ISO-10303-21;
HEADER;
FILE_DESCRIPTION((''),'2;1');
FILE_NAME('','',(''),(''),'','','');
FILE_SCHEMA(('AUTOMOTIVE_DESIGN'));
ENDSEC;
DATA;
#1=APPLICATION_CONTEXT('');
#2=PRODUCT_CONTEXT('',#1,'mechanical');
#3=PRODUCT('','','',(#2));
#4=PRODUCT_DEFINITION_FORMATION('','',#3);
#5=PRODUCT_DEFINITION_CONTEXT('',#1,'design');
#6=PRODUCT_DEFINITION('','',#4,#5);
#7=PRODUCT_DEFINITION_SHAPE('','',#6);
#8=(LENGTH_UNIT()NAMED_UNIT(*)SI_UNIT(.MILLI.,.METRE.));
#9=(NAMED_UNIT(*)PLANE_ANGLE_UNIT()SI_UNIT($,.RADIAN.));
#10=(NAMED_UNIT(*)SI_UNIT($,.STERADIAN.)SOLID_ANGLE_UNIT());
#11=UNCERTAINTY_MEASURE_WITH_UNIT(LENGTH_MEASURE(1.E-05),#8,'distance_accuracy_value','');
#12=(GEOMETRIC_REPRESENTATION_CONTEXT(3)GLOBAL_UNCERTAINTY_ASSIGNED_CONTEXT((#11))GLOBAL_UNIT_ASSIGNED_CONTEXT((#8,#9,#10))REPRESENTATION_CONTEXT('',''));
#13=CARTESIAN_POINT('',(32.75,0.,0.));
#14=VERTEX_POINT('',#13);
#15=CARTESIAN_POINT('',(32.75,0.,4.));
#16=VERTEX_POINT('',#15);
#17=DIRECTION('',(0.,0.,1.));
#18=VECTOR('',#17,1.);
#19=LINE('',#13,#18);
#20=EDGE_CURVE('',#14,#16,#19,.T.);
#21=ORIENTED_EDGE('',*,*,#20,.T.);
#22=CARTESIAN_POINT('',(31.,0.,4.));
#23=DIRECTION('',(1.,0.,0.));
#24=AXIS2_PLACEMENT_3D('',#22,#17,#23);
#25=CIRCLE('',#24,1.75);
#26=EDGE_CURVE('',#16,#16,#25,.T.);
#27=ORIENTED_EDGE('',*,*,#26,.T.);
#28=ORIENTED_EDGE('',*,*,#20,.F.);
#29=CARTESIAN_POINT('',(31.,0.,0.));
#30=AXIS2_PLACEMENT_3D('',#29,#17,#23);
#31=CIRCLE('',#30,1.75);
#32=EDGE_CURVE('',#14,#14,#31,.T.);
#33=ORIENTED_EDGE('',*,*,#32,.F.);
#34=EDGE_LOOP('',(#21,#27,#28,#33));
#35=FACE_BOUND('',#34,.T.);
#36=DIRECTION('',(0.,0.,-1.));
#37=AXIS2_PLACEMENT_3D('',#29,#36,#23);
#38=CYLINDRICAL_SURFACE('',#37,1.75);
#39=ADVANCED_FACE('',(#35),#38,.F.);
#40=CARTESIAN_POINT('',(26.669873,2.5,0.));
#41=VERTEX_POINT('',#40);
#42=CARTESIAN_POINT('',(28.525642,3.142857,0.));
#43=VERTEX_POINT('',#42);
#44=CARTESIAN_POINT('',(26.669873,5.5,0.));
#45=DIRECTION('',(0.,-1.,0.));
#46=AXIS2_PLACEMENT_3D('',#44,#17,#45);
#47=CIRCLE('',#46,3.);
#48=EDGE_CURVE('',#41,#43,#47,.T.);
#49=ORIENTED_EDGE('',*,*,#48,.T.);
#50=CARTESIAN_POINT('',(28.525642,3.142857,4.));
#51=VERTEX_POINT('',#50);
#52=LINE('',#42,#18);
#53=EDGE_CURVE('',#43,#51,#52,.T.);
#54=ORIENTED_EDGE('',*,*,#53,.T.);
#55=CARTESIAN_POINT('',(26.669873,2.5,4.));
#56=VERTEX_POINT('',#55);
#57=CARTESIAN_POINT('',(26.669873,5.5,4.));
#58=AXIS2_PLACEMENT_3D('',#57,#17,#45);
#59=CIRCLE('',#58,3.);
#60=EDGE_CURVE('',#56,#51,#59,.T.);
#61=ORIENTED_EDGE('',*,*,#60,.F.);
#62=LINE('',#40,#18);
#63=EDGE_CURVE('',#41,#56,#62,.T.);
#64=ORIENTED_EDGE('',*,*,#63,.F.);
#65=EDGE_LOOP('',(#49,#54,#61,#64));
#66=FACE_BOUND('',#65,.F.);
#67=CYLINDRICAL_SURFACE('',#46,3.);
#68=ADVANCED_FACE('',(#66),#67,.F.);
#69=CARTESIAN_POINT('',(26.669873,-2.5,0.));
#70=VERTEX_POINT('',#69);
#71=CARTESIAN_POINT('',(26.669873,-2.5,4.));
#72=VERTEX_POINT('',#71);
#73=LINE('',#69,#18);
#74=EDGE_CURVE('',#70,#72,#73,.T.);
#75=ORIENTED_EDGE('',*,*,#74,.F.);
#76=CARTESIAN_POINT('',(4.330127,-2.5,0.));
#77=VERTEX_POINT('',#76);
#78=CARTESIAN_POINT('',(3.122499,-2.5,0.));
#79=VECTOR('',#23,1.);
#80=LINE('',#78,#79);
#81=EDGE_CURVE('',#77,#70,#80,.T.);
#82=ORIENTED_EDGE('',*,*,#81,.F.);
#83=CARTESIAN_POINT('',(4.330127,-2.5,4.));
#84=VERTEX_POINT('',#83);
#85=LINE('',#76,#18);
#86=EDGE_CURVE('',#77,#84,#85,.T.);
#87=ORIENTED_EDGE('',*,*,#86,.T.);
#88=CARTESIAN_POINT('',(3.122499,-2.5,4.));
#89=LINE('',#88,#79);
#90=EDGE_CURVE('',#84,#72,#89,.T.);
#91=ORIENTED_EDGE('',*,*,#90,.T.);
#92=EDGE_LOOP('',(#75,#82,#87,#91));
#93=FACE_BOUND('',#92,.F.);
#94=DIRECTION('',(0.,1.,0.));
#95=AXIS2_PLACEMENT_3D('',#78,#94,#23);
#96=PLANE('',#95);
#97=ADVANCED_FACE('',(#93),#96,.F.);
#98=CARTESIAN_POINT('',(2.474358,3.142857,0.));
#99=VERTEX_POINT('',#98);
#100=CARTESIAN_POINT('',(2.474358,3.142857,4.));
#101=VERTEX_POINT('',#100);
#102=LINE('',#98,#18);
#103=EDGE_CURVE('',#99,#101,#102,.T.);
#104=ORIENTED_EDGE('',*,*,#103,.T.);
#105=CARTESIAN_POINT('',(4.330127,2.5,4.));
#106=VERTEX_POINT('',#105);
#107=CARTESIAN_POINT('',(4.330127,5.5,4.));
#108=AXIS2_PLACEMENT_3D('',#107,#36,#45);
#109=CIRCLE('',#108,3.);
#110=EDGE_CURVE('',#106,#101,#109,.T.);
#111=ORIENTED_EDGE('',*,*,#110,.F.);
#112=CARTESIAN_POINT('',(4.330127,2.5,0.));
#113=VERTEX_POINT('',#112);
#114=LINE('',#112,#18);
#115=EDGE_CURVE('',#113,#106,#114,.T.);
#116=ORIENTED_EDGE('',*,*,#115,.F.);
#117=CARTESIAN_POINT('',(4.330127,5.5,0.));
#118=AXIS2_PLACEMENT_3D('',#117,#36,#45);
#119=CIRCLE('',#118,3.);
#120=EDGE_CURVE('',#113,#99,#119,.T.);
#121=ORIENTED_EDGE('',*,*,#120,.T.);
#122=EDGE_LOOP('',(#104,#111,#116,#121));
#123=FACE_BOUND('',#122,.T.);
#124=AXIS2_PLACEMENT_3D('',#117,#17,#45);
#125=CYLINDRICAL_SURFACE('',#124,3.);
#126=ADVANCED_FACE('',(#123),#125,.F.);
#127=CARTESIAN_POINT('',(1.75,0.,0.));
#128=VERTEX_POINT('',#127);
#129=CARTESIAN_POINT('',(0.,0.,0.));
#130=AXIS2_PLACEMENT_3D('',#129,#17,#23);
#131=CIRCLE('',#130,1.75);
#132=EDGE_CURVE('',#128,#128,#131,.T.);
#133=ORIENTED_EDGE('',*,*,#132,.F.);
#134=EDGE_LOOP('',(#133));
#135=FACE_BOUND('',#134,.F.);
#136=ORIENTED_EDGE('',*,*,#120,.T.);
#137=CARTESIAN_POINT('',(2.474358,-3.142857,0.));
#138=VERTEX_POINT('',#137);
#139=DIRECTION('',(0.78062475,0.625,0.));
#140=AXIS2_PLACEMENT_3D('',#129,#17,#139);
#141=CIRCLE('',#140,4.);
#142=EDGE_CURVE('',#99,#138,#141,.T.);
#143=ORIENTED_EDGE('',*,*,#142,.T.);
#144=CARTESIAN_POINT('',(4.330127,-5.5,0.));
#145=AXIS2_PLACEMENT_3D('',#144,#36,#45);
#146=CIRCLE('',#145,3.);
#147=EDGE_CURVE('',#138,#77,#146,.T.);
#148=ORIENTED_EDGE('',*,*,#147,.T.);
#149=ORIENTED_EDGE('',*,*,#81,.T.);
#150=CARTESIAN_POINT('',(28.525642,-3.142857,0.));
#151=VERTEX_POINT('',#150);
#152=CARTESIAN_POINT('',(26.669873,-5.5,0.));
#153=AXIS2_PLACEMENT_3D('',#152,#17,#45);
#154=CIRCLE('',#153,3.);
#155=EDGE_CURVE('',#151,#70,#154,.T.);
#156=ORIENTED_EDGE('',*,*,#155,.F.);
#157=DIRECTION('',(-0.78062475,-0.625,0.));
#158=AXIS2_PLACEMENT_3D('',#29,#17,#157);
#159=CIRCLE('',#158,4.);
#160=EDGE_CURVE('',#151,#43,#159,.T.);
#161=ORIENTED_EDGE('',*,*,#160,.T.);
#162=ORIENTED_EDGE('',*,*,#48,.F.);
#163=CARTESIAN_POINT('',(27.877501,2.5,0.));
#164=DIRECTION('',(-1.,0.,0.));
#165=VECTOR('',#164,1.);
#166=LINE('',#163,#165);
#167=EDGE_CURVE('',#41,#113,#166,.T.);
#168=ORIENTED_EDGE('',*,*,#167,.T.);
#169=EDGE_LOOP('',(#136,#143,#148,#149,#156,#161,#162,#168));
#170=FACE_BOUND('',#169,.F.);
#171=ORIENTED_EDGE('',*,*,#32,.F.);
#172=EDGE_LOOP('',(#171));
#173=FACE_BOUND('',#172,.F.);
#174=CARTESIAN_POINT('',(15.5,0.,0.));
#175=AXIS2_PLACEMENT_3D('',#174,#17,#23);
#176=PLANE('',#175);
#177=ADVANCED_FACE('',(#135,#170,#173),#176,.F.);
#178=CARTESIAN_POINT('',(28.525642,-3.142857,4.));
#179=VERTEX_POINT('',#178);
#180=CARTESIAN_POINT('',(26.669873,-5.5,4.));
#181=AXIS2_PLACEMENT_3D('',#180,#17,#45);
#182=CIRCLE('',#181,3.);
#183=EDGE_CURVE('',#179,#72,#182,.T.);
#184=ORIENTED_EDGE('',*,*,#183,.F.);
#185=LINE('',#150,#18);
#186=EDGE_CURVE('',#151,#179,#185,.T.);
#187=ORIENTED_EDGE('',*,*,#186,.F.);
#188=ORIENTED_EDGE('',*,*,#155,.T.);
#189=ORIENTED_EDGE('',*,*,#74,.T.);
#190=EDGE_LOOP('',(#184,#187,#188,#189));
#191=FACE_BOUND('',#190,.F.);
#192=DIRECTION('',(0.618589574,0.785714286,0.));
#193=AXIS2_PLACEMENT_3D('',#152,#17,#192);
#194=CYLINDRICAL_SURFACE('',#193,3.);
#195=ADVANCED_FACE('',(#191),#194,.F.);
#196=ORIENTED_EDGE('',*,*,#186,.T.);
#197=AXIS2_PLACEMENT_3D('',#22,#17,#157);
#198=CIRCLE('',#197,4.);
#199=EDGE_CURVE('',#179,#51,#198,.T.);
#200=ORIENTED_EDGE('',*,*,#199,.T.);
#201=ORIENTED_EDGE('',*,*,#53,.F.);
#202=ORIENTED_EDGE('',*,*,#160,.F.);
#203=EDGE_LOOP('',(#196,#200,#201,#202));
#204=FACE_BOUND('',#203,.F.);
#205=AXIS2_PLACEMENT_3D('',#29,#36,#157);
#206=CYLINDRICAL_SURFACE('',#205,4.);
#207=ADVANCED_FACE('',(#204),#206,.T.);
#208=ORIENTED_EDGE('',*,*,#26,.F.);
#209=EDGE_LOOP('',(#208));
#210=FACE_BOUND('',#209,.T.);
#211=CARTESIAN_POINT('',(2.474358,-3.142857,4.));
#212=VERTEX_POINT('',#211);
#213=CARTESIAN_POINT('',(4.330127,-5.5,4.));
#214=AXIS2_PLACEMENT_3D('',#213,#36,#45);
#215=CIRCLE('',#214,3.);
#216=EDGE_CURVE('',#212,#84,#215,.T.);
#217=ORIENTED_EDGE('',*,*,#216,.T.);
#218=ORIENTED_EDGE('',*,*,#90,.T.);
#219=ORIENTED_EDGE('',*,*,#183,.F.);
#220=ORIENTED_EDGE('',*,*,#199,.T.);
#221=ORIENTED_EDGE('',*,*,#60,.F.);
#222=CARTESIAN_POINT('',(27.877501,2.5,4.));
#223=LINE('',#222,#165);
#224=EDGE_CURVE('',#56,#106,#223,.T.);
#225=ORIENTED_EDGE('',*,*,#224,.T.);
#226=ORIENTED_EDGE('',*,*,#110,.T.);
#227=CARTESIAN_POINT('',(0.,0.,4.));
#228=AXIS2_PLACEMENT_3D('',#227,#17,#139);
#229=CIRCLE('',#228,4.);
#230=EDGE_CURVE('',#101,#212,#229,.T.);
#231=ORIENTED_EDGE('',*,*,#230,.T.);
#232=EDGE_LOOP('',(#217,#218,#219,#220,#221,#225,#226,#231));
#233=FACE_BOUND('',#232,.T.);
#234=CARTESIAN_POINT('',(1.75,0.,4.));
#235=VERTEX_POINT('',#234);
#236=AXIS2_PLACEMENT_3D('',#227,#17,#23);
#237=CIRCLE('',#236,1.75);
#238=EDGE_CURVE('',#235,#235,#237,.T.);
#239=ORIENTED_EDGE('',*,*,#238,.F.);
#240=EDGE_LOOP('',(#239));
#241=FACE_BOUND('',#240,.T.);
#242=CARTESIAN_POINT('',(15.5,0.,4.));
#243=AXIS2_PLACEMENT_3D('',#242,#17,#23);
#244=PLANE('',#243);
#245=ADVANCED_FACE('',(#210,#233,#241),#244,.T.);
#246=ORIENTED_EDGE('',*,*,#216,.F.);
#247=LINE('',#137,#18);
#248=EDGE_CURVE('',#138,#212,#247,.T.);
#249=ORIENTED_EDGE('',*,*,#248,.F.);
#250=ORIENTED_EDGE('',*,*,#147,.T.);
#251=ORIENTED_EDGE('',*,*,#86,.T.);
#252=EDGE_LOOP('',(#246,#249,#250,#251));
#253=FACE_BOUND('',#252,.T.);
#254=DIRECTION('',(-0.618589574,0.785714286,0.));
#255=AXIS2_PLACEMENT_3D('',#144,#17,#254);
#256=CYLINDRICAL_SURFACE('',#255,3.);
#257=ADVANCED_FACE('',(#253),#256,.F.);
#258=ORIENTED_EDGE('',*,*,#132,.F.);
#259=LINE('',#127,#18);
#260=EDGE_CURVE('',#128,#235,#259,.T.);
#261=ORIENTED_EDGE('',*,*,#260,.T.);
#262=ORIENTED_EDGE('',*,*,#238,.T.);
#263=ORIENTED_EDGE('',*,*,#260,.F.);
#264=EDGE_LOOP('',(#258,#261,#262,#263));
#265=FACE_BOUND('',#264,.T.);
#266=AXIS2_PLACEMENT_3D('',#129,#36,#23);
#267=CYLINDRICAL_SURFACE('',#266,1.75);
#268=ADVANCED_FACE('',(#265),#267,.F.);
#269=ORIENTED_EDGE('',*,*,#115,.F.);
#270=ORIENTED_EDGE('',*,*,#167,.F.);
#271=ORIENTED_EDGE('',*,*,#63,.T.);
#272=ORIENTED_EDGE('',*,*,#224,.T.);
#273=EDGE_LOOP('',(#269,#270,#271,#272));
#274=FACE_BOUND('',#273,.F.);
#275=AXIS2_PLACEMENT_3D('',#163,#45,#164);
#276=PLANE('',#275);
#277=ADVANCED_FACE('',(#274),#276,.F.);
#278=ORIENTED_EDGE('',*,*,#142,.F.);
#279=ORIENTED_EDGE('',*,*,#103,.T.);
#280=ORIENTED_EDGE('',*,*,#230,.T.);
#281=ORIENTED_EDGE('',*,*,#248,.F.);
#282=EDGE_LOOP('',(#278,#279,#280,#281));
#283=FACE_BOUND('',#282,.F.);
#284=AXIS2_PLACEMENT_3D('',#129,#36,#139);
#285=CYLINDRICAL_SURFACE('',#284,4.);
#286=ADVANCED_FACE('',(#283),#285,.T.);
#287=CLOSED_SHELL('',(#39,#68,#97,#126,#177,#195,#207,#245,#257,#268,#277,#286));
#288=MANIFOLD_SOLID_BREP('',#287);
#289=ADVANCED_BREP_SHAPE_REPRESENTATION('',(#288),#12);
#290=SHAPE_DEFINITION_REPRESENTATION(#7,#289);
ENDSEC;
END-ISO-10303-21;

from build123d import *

# Parameters (mm, degrees)
SKETCH1_R           = 1.75
BOSS_EXTRUDE1_DEPTH = 4
FILLET1_R           = 3


with BuildPart() as part:
    # Sketch1 → Boss-Extrude1 (new body)
    with BuildSketch(Plane.XY):
        with BuildLine():
            Line((27.877501001, 2.5), (3.122498999, 2.5))
            ThreePointArc((3.122498999, 2.5), (-4, 0), (3.122498999, -2.5))
            Line((3.122498999, -2.5), (27.877501001, -2.5))
            ThreePointArc((27.877501001, -2.5), (35, 0), (27.877501001, 2.5))
        make_face()
        Circle(SKETCH1_R, mode=Mode.SUBTRACT)
        with Locations((31, 0)):
            Circle(SKETCH1_R, mode=Mode.SUBTRACT)
    extrude(amount=BOSS_EXTRUDE1_DEPTH)

    # Fillet1
    fillet1_edges = [part.edges().sort_by_distance(p)[0] for p in [
        (3.122498999, -2.5, 2),
        (3.122498999, 2.5, 2),
        (27.877501001, 2.5, 2),
        (27.877501001, -2.5, 2),
    ]]
    fillet(fillet1_edges, radius=FILLET1_R)


solid = part.part
